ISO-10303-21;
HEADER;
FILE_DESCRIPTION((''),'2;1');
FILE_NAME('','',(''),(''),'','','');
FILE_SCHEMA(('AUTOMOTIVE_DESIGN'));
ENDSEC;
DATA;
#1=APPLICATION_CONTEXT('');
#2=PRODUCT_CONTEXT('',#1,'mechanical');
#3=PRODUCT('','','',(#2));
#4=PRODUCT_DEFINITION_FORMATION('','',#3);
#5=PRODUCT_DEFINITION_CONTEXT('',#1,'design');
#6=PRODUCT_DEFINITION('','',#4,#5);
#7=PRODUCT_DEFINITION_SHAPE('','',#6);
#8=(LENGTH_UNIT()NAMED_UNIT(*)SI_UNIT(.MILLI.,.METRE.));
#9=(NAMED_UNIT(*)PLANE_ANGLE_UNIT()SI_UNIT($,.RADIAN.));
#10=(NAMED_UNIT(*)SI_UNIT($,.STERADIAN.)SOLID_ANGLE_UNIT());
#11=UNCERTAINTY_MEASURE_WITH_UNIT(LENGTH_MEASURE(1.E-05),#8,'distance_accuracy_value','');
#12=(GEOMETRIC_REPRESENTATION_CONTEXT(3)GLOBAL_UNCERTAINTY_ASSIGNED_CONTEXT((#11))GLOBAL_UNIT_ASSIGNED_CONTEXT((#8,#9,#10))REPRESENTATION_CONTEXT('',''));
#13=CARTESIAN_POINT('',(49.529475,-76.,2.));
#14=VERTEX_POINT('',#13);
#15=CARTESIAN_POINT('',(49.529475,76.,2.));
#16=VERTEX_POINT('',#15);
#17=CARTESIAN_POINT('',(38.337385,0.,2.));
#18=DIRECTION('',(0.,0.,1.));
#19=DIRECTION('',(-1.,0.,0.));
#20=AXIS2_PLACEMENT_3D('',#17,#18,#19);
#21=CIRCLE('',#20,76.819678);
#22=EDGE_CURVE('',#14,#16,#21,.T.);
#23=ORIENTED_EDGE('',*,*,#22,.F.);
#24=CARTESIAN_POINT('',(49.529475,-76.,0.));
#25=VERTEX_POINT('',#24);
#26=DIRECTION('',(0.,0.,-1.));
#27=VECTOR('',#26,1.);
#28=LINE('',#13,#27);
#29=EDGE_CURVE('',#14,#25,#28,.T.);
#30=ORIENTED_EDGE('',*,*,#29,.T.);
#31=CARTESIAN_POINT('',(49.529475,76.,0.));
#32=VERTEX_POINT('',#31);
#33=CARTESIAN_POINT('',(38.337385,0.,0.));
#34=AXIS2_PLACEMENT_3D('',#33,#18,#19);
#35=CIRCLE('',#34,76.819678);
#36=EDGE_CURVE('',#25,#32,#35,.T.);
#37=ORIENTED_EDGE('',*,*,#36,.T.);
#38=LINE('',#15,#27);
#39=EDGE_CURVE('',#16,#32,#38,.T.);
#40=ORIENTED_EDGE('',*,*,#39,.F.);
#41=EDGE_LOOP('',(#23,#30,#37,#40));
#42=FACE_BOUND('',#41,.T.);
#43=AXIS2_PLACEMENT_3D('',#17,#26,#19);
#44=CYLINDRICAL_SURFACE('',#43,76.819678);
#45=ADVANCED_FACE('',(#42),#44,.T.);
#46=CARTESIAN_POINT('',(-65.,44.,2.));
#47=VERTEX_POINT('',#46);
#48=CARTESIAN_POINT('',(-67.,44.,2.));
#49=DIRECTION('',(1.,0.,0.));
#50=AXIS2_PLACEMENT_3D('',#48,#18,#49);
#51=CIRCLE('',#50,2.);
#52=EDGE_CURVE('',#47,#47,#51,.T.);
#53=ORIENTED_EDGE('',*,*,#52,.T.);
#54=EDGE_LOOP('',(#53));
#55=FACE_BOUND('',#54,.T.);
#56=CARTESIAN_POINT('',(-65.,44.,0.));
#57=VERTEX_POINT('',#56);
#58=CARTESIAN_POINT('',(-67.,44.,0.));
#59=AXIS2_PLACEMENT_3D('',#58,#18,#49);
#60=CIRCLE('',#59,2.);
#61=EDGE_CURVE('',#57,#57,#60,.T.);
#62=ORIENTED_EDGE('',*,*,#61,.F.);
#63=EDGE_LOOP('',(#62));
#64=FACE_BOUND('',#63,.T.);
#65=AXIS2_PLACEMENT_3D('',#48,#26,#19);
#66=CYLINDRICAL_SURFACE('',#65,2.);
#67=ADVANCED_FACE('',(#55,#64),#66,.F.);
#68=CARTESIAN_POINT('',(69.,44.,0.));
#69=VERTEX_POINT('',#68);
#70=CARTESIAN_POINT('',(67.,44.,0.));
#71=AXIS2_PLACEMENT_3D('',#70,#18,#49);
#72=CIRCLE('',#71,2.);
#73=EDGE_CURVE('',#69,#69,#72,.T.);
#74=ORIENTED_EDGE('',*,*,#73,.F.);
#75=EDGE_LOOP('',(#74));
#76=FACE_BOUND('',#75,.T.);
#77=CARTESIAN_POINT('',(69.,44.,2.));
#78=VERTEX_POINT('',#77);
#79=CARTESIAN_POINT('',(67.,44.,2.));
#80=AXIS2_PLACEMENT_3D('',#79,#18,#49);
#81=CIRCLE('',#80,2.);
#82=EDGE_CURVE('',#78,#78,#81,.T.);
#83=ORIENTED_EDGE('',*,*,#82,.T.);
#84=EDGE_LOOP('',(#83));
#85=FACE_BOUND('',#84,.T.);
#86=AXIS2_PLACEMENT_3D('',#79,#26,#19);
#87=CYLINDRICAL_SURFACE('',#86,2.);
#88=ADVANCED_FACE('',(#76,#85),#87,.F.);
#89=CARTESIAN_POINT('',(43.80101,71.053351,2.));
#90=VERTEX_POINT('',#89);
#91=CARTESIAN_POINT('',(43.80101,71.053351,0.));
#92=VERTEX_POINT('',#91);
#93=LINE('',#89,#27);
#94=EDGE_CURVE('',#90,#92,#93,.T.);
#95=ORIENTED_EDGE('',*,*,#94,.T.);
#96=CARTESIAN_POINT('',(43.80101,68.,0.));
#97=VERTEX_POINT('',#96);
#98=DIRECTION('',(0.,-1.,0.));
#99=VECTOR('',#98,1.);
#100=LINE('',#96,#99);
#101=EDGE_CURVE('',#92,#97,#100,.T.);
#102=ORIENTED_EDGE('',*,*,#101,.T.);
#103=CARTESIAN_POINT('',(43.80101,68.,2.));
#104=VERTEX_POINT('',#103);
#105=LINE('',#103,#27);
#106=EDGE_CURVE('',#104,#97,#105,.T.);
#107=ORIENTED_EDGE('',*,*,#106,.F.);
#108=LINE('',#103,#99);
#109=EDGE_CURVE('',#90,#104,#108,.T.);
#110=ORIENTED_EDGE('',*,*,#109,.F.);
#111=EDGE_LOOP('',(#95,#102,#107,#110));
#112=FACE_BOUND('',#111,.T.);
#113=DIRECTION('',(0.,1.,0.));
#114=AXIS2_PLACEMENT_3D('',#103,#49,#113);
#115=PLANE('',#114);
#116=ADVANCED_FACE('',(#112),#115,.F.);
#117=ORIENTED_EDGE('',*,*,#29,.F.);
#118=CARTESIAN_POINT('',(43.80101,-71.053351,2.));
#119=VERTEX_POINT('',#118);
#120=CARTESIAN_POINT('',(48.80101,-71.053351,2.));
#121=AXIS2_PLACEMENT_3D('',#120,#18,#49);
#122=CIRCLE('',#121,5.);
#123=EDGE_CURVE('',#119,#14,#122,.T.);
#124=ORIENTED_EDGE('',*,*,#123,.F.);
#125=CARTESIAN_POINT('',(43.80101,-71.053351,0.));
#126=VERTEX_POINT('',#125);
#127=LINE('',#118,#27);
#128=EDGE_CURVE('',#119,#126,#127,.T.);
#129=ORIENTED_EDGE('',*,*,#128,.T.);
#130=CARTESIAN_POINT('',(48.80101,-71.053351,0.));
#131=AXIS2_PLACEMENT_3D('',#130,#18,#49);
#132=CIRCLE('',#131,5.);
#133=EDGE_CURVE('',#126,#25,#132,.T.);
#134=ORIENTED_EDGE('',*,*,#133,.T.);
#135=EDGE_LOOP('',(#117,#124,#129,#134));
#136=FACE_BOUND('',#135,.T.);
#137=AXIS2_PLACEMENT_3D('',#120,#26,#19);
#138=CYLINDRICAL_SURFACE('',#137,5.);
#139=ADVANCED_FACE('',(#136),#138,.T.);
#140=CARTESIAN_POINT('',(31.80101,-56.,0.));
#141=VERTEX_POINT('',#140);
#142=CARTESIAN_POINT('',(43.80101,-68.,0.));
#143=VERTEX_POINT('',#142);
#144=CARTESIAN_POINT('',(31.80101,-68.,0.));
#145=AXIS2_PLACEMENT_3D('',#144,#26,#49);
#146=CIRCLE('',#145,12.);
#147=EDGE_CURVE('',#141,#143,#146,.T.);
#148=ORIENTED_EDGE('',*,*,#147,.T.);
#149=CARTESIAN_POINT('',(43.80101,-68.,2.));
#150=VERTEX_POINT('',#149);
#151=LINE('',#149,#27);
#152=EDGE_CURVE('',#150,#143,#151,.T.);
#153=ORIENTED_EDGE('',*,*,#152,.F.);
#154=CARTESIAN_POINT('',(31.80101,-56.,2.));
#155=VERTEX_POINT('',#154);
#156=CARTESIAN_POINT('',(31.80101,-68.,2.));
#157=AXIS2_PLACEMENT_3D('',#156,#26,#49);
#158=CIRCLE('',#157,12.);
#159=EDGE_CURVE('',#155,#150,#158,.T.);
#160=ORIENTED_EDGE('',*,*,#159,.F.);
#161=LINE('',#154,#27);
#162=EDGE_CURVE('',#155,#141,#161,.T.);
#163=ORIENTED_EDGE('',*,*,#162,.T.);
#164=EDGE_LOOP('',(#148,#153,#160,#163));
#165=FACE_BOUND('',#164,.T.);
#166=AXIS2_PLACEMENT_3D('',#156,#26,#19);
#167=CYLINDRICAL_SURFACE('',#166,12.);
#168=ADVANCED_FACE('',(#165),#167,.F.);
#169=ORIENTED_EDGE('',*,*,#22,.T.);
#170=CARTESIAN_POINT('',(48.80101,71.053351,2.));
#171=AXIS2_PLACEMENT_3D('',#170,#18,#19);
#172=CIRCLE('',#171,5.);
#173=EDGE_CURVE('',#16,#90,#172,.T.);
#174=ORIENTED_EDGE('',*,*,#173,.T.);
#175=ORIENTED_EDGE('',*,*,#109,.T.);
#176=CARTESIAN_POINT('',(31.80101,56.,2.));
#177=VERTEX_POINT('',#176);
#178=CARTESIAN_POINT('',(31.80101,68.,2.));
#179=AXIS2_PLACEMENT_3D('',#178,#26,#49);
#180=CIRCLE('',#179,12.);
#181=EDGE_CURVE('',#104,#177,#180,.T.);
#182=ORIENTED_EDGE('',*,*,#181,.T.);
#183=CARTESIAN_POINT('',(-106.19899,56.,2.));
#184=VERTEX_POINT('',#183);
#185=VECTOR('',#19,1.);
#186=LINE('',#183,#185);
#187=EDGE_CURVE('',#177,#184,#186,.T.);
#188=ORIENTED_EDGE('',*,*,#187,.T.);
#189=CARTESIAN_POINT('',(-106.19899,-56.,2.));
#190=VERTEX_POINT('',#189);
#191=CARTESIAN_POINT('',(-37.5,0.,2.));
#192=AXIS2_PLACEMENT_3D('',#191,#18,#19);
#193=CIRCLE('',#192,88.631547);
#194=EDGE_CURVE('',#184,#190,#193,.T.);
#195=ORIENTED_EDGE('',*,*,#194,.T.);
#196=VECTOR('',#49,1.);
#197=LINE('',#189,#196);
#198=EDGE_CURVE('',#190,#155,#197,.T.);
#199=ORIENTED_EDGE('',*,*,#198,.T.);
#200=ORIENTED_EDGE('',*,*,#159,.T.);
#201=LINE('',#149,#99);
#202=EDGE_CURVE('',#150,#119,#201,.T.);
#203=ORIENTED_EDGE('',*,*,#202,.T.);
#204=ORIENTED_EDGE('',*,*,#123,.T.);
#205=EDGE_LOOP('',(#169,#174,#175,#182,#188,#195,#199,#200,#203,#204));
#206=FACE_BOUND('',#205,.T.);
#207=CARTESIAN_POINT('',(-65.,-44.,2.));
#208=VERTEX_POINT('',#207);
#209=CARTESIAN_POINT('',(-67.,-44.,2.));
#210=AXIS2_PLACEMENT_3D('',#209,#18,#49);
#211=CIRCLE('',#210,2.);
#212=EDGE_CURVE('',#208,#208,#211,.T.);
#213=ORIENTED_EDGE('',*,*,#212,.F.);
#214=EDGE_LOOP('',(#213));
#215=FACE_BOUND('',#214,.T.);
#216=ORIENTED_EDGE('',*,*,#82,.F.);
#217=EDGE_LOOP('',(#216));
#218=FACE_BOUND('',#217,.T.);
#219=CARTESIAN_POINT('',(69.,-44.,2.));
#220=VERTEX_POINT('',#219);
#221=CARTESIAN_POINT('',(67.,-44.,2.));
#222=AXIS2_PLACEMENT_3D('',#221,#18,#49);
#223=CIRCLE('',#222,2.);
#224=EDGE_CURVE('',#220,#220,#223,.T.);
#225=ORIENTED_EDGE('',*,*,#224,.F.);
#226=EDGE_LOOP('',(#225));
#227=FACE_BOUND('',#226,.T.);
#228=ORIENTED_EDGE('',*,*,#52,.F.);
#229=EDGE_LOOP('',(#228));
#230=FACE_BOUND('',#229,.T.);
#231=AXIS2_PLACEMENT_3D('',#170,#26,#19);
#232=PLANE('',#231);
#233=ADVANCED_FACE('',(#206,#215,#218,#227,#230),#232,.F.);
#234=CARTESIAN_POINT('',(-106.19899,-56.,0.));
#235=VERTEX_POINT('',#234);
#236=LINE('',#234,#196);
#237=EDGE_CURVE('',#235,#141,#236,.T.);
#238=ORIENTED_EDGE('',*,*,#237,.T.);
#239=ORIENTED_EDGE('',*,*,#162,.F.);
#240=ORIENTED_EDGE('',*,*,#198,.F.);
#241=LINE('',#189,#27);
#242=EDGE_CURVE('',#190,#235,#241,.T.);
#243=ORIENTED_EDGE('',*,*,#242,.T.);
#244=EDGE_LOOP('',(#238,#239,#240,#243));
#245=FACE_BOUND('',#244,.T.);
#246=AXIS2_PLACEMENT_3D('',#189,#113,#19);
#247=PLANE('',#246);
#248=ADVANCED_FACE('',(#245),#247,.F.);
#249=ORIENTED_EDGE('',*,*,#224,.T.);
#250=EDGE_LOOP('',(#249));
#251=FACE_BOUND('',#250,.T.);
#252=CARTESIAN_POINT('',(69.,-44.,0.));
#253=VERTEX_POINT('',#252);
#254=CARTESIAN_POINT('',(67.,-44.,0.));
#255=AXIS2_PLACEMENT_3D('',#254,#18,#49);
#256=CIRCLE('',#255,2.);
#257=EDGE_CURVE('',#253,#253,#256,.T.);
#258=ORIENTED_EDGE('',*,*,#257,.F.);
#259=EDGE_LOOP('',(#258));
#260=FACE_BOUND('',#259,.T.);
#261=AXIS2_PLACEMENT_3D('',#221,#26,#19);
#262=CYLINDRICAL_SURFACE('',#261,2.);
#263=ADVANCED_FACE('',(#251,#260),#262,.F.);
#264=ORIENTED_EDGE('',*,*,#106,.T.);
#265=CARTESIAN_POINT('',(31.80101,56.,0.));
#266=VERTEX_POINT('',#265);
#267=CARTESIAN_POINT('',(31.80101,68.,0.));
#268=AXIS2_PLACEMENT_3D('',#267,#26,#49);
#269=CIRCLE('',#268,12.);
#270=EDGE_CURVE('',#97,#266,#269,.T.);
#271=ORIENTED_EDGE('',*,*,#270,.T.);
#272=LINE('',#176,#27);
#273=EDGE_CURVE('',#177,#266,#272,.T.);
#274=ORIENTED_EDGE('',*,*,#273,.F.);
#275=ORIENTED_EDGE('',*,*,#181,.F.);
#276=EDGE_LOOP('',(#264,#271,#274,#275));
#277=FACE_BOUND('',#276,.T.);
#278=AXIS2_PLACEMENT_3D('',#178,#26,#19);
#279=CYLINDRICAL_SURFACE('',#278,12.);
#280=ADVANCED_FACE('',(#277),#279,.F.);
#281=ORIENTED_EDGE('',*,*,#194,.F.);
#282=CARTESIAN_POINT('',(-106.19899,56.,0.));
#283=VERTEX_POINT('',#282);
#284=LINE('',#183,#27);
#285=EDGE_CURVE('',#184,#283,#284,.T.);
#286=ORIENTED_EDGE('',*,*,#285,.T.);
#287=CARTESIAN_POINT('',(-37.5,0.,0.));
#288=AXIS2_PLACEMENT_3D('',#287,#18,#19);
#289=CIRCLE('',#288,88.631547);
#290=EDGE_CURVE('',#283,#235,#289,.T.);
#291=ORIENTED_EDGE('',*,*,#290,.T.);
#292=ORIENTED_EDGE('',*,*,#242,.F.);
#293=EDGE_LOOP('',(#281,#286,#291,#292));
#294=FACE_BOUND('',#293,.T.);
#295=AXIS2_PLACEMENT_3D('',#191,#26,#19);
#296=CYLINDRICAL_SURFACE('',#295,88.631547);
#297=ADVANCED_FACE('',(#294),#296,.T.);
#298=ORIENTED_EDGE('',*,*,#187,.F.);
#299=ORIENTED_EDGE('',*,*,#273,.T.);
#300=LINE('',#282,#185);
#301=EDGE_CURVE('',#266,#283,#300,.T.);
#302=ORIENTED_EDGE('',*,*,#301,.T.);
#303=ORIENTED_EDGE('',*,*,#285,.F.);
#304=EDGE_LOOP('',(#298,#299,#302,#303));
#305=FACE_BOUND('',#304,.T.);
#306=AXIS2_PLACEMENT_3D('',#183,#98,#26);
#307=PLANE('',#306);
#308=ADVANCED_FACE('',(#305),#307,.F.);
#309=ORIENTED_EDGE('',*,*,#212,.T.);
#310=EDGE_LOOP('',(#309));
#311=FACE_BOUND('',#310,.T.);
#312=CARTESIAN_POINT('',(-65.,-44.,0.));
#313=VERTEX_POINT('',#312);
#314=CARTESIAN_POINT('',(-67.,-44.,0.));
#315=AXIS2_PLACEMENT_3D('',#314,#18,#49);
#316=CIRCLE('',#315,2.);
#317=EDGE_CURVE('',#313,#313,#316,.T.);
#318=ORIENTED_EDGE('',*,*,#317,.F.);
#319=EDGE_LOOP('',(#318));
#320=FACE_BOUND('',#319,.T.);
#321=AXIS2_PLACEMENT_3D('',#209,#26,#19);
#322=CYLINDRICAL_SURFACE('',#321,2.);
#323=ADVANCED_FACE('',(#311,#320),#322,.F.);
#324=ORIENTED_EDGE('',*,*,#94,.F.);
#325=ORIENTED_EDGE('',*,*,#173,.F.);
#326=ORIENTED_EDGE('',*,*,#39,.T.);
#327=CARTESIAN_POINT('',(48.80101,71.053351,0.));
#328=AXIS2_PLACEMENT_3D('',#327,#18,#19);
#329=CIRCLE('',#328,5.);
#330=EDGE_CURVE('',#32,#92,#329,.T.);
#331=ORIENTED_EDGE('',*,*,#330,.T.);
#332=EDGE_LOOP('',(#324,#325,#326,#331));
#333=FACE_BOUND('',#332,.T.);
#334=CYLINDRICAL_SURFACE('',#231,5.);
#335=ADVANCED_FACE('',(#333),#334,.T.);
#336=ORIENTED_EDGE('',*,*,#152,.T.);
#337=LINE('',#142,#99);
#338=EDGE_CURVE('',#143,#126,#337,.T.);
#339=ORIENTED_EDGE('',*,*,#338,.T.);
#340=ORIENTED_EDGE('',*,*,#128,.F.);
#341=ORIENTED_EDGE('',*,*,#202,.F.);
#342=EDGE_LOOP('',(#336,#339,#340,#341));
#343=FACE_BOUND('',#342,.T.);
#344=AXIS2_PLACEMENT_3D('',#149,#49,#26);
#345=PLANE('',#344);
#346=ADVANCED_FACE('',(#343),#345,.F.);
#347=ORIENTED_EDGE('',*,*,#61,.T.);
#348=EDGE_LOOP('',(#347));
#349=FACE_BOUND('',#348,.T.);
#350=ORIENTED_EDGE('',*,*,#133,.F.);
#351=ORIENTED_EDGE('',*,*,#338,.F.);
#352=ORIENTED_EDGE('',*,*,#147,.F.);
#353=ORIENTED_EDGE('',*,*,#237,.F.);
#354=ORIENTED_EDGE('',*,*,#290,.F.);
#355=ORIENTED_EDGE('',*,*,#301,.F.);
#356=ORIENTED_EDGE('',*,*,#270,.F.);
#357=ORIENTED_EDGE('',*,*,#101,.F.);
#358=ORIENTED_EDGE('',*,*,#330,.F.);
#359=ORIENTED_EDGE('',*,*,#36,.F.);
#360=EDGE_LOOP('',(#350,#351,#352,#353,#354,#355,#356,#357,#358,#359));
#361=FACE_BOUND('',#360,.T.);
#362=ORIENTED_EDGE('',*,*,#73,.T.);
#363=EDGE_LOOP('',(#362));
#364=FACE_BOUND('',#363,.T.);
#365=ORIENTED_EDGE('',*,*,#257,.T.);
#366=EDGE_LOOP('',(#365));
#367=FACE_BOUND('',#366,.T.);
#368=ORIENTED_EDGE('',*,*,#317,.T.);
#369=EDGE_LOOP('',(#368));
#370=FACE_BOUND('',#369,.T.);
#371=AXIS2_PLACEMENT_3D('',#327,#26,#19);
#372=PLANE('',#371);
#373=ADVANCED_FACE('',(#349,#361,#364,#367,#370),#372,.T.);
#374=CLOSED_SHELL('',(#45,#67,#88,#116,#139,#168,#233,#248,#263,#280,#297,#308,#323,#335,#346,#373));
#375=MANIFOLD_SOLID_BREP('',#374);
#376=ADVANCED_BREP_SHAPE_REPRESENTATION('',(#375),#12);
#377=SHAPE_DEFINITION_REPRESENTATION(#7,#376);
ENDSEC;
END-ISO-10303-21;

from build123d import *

# Parameters (mm, degrees)
SKETCH1_R           = 2
BOSS_EXTRUDE1_DEPTH = 2


with BuildPart() as part:
    # Sketch1 → Boss-Extrude1 (new body)
    with BuildSketch(Plane.XY):
        with BuildLine():
            Line((43.801010204, 68), (43.801010204, 71.053350769))
            ThreePointArc((43.801010204, 71.053350769), (45.533161176, 74.837681982), (49.529475295, 76))
            ThreePointArc((49.529475295, 76), (115.157062367, 0), (49.529475295, -76))
            ThreePointArc((49.529475295, -76), (45.533161176, -74.837681982), (43.801010204, -71.053350769))
            Line((43.801010204, -71.053350769), (43.801010204, -68))
            ThreePointArc((43.801010204, -68), (40.286291578, -59.514718626), (31.801010204, -56))
            Line((31.801010204, -56), (-106.198989796, -56))
            ThreePointArc((-106.198989796, -56), (-126.131547425, 0), (-106.198989796, 56))
            Line((-106.198989796, 56), (31.801010204, 56))
            ThreePointArc((31.801010204, 56), (40.286291578, 59.514718626), (43.801010204, 68))
        make_face()
        with Locations((67, 44)):
            Circle(SKETCH1_R, mode=Mode.SUBTRACT)
        with Locations((67, -44)):
            Circle(SKETCH1_R, mode=Mode.SUBTRACT)
        with Locations((-67, 44)):
            Circle(SKETCH1_R, mode=Mode.SUBTRACT)
        with Locations((-67, -44)):
            Circle(SKETCH1_R, mode=Mode.SUBTRACT)
    extrude(amount=BOSS_EXTRUDE1_DEPTH)


solid = part.part
